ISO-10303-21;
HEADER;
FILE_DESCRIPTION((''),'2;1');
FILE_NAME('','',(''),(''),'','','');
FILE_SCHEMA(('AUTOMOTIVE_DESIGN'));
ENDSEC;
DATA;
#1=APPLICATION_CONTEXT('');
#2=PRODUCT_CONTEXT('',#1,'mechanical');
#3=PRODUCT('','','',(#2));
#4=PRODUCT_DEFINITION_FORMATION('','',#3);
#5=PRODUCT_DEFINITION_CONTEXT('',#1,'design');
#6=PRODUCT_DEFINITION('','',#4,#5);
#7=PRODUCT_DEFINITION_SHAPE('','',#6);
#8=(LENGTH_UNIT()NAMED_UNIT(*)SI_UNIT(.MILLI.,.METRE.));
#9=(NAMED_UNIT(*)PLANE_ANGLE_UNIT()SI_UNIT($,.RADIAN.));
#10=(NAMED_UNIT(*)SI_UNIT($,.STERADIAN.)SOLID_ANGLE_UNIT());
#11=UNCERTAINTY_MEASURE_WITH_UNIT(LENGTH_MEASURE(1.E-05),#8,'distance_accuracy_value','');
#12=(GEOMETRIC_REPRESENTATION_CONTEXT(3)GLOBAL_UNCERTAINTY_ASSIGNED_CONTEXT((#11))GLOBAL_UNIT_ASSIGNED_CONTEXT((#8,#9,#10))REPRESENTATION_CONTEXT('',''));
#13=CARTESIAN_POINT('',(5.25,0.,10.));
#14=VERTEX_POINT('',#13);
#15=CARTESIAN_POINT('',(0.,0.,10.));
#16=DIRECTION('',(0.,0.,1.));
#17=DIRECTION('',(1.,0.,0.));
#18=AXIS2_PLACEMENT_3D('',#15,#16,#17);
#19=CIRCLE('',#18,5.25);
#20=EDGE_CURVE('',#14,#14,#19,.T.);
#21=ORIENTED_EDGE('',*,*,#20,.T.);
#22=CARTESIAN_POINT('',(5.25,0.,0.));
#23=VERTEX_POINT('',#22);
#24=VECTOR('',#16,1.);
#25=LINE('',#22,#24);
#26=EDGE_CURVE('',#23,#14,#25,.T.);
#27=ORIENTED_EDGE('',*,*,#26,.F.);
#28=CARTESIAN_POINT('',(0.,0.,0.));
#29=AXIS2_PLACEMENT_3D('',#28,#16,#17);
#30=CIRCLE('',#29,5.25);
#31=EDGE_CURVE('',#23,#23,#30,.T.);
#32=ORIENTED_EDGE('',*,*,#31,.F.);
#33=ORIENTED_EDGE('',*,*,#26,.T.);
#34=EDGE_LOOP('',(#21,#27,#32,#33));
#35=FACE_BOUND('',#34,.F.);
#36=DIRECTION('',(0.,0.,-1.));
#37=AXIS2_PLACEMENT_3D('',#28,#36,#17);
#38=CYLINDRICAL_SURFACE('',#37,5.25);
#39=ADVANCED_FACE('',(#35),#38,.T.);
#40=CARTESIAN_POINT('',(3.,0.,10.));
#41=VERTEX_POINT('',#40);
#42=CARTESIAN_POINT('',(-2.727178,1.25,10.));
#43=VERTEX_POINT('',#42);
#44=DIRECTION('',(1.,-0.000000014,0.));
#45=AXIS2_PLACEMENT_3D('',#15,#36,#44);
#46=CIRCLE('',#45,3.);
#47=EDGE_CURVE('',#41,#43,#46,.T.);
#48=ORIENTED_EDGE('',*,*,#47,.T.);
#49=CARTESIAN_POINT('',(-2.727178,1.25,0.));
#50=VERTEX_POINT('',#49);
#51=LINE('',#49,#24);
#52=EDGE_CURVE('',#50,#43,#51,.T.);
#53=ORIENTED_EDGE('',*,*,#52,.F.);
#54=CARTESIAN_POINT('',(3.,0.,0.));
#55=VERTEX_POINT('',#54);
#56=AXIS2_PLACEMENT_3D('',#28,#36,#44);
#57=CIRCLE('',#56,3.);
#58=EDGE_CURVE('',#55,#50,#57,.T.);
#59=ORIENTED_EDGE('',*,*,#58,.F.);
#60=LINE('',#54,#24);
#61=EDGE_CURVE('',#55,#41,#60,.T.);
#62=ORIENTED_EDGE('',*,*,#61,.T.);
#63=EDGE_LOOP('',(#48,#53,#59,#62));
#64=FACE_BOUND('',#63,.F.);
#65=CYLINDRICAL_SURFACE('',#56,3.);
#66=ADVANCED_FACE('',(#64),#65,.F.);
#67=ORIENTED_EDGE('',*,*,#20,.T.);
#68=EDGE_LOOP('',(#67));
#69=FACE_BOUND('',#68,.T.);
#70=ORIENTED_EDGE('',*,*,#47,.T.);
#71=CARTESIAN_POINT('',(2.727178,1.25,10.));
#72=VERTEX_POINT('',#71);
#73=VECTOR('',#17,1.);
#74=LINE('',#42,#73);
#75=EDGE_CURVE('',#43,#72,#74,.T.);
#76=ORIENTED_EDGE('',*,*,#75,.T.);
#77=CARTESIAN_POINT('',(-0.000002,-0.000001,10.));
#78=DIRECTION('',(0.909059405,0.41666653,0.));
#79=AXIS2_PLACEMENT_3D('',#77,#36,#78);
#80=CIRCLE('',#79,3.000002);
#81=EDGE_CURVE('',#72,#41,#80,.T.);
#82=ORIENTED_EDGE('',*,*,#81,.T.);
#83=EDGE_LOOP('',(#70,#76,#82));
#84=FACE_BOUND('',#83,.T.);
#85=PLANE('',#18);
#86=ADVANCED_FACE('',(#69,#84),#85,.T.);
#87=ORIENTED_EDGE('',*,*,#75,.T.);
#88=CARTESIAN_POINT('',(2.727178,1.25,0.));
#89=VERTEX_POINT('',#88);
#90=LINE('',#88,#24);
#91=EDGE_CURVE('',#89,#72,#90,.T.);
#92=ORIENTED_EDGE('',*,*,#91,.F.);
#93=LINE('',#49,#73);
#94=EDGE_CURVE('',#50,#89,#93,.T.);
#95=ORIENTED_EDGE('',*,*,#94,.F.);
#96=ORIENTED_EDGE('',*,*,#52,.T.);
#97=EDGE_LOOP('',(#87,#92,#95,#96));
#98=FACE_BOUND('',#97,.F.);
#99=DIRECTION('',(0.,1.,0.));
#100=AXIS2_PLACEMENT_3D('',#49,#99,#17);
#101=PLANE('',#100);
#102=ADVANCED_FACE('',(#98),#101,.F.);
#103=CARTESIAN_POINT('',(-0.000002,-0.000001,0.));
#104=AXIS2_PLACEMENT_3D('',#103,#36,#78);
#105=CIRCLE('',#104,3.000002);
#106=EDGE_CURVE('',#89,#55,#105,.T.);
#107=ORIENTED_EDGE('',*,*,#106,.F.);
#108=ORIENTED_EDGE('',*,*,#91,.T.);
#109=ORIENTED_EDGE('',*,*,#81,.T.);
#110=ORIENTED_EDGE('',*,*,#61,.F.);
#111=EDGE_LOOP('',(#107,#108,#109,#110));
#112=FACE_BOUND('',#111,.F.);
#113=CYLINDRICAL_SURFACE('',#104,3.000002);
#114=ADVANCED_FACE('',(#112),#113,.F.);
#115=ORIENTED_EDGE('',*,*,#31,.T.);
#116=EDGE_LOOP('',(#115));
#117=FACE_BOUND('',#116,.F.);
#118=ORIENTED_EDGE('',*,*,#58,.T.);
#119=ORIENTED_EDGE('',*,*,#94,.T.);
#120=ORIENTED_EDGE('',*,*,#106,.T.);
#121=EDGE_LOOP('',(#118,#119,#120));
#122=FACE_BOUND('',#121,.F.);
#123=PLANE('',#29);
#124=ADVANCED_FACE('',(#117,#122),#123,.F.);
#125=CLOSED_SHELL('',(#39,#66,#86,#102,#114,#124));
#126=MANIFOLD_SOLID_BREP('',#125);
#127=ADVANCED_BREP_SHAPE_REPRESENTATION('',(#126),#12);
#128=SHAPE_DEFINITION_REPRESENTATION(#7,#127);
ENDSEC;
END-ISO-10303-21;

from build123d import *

# Parameters (mm, degrees)
F0_R     = 5.25
F1_DEPTH = 10


with BuildPart() as f1:
    # F0 (on Top) → F1 (new body)
    with BuildSketch(Plane.XY):
        Circle(F0_R)
        with BuildLine():
            ThreePointArc((2.727178, 1.25), (2.931001, 0.639713), (3, 0))
            ThreePointArc((3, 0), (-0.639713, -2.931001), (-2.727178, 1.25))
            ThreePointArc((-2.727178, 1.25), (0, 3), (2.727178, 1.25))
        make_face(mode=Mode.SUBTRACT)
        with BuildLine():
            Line((-2.727178, 1.25), (2.727178, 1.25))
            ThreePointArc((2.727178, 1.25), (0, 3), (-2.727178, 1.25))
        make_face()
    extrude(amount=F1_DEPTH)


solid = f1.part
